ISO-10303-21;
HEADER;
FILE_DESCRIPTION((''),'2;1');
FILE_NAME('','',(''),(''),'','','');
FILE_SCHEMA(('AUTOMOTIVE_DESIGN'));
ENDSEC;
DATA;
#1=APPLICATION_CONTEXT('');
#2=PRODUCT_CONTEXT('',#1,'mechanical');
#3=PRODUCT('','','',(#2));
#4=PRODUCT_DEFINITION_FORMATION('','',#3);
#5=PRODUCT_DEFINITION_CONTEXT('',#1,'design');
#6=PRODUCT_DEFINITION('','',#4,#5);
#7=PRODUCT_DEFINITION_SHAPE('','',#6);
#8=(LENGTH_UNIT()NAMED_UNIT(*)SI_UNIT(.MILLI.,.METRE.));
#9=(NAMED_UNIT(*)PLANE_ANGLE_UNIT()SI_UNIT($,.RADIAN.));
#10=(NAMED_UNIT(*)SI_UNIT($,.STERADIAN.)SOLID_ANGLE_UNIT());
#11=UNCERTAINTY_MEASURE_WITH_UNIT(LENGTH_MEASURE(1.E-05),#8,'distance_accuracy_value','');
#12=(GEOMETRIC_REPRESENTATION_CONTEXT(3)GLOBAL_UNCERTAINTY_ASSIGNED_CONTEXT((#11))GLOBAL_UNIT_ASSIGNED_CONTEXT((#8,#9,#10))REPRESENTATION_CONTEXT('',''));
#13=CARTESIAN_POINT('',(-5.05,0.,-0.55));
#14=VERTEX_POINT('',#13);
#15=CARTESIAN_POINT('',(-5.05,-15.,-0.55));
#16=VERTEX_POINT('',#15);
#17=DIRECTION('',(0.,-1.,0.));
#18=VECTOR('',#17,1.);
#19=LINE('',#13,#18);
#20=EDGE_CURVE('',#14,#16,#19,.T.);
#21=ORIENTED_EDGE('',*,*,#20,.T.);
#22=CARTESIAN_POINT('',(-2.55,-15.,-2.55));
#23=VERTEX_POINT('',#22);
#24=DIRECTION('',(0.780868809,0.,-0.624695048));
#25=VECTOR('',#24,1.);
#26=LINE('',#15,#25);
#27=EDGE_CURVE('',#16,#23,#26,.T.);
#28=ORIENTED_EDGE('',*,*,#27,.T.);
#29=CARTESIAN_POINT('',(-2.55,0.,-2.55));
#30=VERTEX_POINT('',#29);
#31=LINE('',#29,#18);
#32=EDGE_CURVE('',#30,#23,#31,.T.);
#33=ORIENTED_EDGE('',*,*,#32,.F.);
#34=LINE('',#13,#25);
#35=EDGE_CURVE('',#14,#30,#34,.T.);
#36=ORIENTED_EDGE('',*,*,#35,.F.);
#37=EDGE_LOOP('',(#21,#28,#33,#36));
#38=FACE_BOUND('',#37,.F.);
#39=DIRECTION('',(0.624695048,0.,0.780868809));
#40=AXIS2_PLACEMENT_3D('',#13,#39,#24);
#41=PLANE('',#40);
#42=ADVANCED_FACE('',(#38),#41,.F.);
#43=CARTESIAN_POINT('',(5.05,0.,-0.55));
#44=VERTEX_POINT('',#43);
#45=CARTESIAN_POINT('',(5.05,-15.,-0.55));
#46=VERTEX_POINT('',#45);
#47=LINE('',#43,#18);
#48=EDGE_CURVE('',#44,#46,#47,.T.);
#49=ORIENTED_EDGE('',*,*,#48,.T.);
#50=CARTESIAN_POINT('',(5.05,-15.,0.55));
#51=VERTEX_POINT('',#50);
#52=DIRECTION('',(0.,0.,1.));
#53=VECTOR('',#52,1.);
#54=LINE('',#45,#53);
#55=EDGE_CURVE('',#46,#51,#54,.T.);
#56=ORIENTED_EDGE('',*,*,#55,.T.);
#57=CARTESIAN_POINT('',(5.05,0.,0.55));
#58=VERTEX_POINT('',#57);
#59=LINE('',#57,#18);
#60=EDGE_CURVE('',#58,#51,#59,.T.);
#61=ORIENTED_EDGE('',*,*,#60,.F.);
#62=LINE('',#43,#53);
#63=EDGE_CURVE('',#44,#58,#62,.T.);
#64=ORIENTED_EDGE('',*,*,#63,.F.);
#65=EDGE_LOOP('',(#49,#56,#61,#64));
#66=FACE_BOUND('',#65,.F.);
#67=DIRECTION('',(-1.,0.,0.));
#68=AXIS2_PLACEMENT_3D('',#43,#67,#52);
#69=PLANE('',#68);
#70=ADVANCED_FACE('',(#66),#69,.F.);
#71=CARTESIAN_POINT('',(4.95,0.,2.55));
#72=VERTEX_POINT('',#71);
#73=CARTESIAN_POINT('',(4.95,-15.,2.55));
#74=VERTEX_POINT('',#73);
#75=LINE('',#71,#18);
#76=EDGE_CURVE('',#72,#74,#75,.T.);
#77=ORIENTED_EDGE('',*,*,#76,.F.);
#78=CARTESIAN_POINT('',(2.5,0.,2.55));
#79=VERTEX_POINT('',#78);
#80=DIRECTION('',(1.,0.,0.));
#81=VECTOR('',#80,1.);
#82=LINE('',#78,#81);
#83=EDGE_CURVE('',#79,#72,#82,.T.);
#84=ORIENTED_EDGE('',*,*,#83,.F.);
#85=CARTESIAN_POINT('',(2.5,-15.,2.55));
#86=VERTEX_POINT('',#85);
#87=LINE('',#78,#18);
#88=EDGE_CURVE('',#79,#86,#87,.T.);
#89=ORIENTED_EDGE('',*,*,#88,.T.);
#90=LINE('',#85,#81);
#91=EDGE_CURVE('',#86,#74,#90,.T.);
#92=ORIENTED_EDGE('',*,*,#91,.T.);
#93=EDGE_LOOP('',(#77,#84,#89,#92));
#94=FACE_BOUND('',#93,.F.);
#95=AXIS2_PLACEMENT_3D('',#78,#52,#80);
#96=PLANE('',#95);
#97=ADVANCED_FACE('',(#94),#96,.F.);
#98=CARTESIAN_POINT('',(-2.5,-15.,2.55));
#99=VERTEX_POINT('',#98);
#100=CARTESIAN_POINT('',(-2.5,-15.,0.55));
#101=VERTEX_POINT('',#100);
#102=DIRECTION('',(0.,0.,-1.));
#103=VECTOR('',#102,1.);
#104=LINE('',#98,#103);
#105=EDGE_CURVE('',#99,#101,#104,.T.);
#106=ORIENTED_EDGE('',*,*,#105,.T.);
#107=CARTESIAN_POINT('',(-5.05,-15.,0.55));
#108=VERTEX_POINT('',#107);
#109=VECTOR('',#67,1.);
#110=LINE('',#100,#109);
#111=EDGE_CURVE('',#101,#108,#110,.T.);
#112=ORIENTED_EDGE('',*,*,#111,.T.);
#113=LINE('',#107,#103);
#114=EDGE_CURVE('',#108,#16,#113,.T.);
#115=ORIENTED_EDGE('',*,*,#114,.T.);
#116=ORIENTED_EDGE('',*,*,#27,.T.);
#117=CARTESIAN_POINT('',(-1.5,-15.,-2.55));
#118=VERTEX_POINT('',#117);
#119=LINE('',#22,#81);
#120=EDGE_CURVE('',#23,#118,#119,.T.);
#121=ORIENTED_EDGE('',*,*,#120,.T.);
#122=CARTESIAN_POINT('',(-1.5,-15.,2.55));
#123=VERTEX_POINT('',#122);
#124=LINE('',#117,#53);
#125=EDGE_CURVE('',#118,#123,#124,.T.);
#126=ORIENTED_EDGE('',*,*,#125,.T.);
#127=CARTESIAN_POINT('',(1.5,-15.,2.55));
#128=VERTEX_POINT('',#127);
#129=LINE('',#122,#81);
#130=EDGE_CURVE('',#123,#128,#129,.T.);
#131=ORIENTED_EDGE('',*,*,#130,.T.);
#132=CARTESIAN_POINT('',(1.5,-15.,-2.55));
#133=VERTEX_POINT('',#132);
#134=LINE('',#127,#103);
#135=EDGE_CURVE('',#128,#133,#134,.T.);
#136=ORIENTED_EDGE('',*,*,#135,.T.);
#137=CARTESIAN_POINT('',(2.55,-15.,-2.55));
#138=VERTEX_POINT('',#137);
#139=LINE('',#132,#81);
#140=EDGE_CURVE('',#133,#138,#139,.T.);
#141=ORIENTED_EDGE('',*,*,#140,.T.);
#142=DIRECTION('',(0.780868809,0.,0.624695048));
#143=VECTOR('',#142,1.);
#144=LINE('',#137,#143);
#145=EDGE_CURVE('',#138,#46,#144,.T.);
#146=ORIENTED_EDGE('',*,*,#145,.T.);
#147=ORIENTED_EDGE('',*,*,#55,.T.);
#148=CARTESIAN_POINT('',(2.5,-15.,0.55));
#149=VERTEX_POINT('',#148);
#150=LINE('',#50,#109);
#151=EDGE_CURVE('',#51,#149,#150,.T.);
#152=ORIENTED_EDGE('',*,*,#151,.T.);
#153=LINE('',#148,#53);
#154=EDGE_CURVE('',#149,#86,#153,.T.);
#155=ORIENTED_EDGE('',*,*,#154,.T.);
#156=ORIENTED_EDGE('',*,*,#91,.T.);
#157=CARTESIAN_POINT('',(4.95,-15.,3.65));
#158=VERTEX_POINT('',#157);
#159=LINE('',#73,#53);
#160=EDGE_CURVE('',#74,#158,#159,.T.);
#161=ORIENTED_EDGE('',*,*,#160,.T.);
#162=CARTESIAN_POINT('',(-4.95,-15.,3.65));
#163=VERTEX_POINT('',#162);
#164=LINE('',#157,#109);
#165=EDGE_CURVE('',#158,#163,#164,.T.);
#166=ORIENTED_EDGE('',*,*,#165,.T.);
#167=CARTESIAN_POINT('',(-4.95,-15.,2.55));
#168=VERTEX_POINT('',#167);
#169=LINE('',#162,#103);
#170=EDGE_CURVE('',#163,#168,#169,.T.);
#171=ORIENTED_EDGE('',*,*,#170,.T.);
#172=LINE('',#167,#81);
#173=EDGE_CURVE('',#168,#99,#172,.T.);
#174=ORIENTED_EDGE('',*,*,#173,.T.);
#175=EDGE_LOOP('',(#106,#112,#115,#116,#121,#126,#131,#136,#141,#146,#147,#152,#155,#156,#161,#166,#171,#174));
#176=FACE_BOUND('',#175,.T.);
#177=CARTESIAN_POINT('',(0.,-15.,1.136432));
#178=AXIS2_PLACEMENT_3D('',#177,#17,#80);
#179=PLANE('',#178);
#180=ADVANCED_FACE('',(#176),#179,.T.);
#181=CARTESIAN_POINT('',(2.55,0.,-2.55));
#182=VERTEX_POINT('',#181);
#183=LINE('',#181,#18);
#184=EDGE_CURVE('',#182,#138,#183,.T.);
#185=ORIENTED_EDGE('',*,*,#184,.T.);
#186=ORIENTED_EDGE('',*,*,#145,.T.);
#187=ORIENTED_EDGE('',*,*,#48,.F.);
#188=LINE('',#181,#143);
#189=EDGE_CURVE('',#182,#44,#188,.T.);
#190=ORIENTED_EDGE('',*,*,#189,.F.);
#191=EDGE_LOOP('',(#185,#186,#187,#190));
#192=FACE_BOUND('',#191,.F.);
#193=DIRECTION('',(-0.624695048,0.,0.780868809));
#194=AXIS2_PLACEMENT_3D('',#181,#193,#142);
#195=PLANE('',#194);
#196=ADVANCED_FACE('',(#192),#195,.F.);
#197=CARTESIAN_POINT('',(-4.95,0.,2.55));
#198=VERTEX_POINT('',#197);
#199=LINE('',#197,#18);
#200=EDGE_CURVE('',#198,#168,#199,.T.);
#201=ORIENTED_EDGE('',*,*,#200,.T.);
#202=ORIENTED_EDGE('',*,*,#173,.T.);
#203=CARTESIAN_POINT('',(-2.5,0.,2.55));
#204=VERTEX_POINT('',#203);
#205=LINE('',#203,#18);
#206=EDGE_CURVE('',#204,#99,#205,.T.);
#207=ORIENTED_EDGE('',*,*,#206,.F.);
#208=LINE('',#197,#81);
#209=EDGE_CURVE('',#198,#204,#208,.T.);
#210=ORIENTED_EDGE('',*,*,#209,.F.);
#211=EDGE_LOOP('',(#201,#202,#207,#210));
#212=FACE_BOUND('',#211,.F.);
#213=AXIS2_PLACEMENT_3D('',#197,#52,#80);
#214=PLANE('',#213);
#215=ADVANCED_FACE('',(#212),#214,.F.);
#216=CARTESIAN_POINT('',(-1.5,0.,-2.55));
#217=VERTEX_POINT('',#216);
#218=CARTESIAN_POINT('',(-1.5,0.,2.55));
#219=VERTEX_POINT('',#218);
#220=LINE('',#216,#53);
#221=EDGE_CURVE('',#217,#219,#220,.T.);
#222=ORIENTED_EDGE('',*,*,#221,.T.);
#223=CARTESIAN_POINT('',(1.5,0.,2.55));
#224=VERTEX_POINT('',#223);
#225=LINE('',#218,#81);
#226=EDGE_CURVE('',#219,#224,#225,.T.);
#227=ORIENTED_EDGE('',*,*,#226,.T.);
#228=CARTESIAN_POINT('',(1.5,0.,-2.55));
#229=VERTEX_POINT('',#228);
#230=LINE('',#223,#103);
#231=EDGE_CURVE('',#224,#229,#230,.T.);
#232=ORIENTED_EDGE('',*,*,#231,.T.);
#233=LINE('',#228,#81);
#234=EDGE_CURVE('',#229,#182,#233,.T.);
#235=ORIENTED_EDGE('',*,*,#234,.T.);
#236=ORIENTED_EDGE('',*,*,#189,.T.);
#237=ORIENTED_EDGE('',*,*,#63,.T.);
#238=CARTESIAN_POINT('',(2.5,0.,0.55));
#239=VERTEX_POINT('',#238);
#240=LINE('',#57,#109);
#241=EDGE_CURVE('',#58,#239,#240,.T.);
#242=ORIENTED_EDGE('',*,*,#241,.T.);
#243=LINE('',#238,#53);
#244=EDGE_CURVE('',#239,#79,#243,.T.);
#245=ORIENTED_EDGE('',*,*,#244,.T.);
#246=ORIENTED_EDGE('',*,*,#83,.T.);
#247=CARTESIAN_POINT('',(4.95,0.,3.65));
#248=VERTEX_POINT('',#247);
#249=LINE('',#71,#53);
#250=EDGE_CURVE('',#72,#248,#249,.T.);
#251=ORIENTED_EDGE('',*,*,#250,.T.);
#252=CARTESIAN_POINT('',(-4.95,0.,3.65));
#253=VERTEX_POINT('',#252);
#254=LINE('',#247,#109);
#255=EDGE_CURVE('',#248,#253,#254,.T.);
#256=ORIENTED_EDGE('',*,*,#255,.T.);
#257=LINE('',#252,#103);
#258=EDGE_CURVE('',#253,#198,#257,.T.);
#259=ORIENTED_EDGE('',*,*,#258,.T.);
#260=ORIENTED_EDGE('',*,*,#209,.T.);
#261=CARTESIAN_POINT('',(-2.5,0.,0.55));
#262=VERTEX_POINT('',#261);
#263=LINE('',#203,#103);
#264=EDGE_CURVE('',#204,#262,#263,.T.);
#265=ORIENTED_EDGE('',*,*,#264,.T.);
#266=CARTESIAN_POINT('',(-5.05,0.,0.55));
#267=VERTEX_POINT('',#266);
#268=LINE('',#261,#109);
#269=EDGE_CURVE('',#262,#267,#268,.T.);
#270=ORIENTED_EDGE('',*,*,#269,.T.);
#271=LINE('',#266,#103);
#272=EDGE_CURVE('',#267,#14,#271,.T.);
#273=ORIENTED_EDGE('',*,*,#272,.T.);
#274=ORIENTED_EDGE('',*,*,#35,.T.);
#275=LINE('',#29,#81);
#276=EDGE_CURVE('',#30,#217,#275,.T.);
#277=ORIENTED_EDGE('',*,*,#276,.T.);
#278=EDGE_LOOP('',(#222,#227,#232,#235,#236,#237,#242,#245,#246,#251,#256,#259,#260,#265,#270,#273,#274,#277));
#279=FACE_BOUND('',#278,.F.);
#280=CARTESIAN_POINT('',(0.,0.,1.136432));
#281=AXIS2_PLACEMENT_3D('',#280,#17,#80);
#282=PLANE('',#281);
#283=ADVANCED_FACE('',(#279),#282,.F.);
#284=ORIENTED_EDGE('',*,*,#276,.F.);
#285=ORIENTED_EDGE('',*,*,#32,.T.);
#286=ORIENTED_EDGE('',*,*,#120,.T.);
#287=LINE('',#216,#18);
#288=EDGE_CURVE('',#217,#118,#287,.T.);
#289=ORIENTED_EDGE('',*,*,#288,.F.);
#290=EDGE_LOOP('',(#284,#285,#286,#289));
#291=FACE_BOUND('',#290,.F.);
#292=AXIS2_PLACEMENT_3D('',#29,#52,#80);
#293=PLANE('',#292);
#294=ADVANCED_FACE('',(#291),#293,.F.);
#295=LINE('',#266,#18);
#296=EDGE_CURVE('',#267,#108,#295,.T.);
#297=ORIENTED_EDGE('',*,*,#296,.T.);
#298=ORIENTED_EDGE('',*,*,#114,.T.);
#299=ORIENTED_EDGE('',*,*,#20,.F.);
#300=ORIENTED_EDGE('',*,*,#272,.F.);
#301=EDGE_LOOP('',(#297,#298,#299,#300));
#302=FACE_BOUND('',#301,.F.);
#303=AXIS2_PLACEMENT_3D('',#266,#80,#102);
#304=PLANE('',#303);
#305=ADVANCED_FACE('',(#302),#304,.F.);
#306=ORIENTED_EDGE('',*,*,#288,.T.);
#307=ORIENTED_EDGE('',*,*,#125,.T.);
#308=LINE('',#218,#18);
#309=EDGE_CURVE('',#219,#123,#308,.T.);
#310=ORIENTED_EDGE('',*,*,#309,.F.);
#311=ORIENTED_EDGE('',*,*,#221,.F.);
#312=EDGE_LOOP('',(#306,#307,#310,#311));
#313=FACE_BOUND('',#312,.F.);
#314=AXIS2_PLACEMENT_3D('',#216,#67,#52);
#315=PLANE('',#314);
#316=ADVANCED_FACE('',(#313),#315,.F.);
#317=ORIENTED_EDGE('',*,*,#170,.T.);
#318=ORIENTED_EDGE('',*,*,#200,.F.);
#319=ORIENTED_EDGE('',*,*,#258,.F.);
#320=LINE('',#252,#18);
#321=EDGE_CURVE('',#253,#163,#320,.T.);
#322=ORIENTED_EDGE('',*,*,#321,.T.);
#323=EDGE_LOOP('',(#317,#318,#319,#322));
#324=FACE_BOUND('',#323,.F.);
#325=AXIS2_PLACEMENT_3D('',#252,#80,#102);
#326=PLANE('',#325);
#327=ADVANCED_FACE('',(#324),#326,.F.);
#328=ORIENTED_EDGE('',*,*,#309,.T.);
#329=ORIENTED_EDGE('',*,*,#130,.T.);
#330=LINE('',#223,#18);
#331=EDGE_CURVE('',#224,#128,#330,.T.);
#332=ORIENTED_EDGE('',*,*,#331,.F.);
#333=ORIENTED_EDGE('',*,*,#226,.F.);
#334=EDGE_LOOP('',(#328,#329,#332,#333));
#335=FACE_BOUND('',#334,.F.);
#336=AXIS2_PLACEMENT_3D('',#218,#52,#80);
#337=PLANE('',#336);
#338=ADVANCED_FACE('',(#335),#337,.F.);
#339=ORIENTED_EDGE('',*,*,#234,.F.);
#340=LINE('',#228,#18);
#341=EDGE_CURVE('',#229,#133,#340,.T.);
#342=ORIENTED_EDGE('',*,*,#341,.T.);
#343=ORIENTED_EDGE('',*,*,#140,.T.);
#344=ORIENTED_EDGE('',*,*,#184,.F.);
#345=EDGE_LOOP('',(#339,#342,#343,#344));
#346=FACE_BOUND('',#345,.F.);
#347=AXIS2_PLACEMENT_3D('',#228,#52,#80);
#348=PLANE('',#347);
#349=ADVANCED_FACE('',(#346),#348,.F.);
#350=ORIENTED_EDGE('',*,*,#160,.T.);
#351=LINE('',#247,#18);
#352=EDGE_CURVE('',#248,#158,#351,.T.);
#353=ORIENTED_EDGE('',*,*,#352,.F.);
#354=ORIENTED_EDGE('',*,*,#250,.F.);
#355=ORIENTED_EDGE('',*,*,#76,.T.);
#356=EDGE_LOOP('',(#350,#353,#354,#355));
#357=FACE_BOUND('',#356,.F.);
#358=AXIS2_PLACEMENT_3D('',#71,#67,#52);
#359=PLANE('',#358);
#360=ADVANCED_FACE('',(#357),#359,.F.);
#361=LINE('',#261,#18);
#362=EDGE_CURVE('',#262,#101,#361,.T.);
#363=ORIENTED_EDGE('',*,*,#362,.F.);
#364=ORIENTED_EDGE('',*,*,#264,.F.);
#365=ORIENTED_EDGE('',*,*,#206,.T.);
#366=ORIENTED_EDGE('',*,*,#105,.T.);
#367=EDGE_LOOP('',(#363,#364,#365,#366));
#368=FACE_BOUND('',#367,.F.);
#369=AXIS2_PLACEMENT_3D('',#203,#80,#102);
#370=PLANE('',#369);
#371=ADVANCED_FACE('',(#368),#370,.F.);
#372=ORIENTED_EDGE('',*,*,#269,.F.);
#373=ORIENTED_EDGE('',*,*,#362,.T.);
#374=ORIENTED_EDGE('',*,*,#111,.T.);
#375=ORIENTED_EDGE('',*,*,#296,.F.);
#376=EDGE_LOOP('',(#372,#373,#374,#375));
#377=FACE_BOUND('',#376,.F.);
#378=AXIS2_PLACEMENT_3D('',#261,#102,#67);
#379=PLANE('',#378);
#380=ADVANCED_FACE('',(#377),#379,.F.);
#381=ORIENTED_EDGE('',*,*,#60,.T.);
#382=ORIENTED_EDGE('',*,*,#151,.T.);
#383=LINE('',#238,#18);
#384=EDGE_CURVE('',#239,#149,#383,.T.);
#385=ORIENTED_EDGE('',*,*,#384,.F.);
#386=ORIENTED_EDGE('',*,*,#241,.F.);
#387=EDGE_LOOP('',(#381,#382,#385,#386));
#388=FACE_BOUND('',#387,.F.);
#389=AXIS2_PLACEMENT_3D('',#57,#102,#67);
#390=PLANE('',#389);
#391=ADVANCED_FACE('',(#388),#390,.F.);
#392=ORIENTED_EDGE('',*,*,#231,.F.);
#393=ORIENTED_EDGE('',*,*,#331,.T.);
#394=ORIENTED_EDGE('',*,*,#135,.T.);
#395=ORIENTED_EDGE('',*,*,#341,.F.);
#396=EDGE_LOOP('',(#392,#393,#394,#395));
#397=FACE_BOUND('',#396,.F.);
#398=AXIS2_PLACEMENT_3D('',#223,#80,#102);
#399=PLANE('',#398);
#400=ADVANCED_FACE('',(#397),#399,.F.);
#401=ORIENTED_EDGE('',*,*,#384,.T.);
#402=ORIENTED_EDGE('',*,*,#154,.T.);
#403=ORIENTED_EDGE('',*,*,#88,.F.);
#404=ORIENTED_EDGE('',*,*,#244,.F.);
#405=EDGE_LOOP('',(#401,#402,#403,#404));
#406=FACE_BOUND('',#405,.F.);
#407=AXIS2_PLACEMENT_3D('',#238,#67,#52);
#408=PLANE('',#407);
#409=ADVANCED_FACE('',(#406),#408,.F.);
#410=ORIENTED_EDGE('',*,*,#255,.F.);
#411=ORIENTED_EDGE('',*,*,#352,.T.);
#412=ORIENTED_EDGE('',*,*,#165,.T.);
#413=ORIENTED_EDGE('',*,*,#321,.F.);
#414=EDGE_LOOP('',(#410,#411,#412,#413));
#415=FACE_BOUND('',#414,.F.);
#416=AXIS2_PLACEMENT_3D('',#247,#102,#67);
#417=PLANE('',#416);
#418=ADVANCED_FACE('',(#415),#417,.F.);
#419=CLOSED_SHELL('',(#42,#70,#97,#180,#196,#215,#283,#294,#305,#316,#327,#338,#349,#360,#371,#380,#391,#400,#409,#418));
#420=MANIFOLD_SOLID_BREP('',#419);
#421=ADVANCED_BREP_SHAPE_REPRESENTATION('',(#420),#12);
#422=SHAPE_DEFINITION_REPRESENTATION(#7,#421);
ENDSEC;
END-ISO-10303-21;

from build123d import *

# Parameters (mm, degrees)
F1_DEPTH = 15


with BuildPart() as f1:
    # F0 (on Front) → F1 (new body)
    with BuildSketch(Plane.XZ):
        Polygon((-2.5, 0.55), (-5.05, 0.55), (-5.05, -0.55), (-2.55, -2.55), (-1.5, -2.55), (-1.5, 2.55), (0, 2.55), (1.5, 2.55), (1.5, -2.55), (2.55, -2.55), (5.05, -0.55), (5.05, 0.55), (2.5, 0.55), (2.5, 2.55), (4.95, 2.55), (4.95, 3.65), (-4.95, 3.65), (-4.95, 2.55), (-2.5, 2.55), align=None)
    extrude(amount=F1_DEPTH)


solid = f1.part
